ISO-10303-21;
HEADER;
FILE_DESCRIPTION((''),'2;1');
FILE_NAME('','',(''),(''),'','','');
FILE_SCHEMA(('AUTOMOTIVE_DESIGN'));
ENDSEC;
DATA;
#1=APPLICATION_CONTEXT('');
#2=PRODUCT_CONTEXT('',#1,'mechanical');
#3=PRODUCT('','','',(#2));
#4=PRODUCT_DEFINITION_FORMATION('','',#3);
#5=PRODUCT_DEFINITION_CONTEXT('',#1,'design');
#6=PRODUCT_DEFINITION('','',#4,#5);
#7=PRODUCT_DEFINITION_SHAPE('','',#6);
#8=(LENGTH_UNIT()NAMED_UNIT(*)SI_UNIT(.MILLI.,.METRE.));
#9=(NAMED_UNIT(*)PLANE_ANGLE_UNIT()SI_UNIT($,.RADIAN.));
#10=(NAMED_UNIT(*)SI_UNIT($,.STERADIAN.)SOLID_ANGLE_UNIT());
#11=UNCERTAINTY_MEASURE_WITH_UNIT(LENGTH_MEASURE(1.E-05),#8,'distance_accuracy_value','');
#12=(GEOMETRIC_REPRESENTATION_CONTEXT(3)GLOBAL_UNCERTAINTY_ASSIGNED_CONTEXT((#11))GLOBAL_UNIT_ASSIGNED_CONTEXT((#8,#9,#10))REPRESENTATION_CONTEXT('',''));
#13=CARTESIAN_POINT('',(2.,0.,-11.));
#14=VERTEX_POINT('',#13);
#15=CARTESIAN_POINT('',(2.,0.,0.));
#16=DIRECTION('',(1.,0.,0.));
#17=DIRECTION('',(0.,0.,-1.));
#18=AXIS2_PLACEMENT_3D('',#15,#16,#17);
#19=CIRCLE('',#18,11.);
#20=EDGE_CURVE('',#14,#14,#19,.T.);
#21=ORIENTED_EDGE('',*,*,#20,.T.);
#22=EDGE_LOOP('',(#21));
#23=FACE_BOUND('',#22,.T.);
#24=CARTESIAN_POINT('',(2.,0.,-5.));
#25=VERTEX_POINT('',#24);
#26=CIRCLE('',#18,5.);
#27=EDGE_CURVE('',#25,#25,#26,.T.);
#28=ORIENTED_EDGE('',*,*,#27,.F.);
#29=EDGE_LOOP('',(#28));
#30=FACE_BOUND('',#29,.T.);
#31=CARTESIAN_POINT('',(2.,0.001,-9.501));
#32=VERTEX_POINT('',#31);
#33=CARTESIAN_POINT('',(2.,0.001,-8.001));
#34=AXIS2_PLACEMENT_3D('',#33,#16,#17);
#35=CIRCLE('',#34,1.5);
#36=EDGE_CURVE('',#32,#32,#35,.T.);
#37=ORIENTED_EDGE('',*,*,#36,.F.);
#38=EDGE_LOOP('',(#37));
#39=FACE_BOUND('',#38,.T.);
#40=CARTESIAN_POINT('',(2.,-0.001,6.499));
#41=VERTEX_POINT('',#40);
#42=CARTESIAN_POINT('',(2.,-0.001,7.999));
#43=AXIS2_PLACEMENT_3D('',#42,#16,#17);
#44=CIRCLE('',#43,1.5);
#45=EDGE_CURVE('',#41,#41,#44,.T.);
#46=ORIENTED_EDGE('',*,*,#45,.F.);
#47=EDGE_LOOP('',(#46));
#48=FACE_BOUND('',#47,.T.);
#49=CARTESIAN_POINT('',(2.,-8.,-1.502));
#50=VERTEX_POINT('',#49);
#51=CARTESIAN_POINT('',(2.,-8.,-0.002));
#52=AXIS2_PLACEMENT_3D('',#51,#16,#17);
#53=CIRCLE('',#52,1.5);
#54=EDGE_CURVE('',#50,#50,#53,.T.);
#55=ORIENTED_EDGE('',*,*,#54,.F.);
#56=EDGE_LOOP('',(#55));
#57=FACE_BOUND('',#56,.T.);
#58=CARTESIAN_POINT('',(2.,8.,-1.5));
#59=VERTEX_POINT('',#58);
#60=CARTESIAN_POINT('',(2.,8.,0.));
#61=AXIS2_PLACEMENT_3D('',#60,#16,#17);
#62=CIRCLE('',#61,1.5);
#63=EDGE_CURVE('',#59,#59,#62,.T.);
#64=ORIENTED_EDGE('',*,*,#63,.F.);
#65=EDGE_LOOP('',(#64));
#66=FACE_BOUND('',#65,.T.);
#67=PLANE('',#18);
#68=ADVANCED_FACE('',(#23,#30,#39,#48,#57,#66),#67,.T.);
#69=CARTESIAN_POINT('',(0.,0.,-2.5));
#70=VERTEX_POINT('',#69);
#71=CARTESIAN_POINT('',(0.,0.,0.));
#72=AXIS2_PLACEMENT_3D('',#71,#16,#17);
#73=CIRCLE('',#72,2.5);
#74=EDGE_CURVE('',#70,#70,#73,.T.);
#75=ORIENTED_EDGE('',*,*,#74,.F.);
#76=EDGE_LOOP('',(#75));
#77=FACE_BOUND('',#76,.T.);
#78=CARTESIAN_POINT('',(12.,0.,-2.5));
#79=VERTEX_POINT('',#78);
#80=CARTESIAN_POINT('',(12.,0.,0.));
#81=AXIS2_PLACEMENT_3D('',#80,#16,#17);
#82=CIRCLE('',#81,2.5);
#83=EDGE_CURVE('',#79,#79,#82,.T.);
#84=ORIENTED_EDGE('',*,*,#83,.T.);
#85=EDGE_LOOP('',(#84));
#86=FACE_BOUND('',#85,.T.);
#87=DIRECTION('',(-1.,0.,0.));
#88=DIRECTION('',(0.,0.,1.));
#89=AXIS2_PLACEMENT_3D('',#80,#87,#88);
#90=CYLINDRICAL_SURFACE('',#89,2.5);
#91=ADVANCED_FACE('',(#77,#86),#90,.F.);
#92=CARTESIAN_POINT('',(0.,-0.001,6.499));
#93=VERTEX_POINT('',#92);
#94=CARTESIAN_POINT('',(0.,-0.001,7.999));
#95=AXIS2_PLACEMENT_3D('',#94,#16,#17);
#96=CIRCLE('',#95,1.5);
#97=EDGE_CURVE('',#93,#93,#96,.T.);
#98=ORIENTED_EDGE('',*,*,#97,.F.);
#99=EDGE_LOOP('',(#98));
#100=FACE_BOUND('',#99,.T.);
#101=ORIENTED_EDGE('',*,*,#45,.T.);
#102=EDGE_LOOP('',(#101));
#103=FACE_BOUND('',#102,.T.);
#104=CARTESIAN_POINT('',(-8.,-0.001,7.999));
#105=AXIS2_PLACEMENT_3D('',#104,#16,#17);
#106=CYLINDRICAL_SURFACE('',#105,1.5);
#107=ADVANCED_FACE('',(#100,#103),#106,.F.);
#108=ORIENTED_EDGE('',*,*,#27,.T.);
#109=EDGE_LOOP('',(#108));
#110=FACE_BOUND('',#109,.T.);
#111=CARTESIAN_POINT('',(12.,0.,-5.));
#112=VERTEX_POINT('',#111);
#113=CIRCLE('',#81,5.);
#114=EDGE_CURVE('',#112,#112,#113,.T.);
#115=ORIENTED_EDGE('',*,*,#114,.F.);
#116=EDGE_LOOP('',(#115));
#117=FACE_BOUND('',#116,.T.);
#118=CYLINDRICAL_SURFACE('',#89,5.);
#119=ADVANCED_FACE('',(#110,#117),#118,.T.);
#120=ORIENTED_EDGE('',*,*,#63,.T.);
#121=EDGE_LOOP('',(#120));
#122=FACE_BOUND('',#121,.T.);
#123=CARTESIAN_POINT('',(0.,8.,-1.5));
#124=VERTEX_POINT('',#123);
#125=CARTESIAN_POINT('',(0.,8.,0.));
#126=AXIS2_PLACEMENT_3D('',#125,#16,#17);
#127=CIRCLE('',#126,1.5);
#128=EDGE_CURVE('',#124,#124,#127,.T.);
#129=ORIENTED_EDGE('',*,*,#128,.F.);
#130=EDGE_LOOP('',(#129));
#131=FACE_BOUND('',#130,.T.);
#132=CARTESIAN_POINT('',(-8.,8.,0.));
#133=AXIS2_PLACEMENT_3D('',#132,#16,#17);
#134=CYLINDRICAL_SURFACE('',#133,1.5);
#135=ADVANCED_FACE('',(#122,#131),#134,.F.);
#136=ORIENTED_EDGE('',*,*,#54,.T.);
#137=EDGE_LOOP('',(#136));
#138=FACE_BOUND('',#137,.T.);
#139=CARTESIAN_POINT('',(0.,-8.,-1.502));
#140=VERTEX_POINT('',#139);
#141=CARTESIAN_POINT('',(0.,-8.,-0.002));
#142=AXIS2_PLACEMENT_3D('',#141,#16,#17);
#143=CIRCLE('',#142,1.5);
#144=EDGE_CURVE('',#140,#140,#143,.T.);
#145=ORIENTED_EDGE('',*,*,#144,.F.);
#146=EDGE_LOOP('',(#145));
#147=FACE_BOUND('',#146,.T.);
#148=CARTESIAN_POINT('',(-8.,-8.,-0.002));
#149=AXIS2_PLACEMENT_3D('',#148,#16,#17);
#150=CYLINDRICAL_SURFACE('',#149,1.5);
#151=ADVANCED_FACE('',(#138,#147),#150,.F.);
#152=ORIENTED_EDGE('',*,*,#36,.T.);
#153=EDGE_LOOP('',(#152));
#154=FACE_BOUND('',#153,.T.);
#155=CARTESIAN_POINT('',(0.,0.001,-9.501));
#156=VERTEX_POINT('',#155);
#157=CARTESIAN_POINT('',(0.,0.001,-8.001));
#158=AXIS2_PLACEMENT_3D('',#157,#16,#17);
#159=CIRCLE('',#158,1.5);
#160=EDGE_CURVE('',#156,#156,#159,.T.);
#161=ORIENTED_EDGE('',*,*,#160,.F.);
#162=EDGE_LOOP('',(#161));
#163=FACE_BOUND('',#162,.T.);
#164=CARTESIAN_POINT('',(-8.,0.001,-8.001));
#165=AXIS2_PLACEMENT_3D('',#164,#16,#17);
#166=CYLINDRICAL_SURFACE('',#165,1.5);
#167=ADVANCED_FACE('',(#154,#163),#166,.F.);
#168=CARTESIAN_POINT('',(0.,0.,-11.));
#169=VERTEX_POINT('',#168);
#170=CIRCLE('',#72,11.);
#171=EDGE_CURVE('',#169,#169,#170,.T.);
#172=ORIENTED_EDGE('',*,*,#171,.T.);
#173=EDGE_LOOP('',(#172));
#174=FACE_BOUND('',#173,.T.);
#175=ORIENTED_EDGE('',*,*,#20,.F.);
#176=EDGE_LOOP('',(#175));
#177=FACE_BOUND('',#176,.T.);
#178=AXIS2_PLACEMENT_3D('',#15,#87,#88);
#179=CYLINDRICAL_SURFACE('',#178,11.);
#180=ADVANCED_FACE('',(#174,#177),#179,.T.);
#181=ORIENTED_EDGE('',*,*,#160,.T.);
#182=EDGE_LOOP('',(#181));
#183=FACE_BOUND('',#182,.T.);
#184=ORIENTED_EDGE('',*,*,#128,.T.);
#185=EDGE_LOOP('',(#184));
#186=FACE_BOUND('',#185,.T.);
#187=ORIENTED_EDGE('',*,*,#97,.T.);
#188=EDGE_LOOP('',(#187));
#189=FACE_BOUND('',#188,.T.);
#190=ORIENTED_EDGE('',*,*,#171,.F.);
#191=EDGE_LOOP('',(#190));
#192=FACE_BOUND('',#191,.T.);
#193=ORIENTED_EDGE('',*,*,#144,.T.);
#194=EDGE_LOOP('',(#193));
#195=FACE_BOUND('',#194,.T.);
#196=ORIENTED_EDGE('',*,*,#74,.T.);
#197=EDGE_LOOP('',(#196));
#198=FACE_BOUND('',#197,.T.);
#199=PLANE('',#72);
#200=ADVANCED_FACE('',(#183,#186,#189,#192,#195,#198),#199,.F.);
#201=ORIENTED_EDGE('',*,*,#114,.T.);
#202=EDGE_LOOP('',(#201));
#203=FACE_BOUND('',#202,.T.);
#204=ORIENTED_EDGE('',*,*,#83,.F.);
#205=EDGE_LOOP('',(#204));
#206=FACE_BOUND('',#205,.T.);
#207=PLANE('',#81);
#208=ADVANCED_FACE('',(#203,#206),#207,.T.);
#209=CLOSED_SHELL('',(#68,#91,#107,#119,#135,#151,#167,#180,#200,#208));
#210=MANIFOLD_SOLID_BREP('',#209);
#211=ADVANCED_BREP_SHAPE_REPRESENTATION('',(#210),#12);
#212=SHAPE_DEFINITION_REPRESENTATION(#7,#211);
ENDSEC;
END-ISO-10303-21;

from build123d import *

# Parameters (mm, degrees)
SKETCH_1_R          = 11
EXTRUDE_1_DEPTH     = 2
SKETCH_2_R          = 5
SKETCH_2_R_2        = 2.5
EXTRUDE_2_DEPTH     = 10
SKETCH_3_R          = 1.5
CUT_EXTRUDE_1_DEPTH = 10
SKETCH_5_R          = 2.5
CUT_EXTRUDE_2_DEPTH = 19.493242009


with BuildPart() as part:
    # 草图1 → 凸台-拉伸1 (new body)
    with BuildSketch(Plane(origin=(0, 0, 0), x_dir=(0, 0, -1), z_dir=(1, 0, 0))):
        Circle(SKETCH_1_R)
    extrude(amount=EXTRUDE_1_DEPTH)

    # 草图2 → 凸台-拉伸2 (add)
    with BuildSketch(Plane(origin=(2, 0, 0), x_dir=(0, 0, -1), z_dir=(1, 0, 0))):
        Circle(SKETCH_2_R)
        Circle(SKETCH_2_R_2, mode=Mode.SUBTRACT)
    extrude(amount=EXTRUDE_2_DEPTH)

    # 草图3 → 切除-拉伸1 (cut)
    with BuildSketch(Plane(origin=(2, 0, 0), x_dir=(0, 0, -1), z_dir=(1, 0, 0))):
        with Locations((0, 8)):
            Circle(SKETCH_3_R)
        with Locations((8.001, 0.001)):
            Circle(SKETCH_3_R)
        with Locations((0.002, -8)):
            Circle(SKETCH_3_R)
        with Locations((-7.999, -0.001)):
            Circle(SKETCH_3_R)
    extrude(amount=-CUT_EXTRUDE_1_DEPTH, mode=Mode.SUBTRACT)

    # 草图5 → 切除-拉伸2 (cut, through all)
    with BuildSketch(Plane(origin=(2, 0, 0), x_dir=(0, 0, -1), z_dir=(1, 0, 0))):
        Circle(SKETCH_5_R)
    extrude(amount=-CUT_EXTRUDE_2_DEPTH, mode=Mode.SUBTRACT)


solid = part.part
